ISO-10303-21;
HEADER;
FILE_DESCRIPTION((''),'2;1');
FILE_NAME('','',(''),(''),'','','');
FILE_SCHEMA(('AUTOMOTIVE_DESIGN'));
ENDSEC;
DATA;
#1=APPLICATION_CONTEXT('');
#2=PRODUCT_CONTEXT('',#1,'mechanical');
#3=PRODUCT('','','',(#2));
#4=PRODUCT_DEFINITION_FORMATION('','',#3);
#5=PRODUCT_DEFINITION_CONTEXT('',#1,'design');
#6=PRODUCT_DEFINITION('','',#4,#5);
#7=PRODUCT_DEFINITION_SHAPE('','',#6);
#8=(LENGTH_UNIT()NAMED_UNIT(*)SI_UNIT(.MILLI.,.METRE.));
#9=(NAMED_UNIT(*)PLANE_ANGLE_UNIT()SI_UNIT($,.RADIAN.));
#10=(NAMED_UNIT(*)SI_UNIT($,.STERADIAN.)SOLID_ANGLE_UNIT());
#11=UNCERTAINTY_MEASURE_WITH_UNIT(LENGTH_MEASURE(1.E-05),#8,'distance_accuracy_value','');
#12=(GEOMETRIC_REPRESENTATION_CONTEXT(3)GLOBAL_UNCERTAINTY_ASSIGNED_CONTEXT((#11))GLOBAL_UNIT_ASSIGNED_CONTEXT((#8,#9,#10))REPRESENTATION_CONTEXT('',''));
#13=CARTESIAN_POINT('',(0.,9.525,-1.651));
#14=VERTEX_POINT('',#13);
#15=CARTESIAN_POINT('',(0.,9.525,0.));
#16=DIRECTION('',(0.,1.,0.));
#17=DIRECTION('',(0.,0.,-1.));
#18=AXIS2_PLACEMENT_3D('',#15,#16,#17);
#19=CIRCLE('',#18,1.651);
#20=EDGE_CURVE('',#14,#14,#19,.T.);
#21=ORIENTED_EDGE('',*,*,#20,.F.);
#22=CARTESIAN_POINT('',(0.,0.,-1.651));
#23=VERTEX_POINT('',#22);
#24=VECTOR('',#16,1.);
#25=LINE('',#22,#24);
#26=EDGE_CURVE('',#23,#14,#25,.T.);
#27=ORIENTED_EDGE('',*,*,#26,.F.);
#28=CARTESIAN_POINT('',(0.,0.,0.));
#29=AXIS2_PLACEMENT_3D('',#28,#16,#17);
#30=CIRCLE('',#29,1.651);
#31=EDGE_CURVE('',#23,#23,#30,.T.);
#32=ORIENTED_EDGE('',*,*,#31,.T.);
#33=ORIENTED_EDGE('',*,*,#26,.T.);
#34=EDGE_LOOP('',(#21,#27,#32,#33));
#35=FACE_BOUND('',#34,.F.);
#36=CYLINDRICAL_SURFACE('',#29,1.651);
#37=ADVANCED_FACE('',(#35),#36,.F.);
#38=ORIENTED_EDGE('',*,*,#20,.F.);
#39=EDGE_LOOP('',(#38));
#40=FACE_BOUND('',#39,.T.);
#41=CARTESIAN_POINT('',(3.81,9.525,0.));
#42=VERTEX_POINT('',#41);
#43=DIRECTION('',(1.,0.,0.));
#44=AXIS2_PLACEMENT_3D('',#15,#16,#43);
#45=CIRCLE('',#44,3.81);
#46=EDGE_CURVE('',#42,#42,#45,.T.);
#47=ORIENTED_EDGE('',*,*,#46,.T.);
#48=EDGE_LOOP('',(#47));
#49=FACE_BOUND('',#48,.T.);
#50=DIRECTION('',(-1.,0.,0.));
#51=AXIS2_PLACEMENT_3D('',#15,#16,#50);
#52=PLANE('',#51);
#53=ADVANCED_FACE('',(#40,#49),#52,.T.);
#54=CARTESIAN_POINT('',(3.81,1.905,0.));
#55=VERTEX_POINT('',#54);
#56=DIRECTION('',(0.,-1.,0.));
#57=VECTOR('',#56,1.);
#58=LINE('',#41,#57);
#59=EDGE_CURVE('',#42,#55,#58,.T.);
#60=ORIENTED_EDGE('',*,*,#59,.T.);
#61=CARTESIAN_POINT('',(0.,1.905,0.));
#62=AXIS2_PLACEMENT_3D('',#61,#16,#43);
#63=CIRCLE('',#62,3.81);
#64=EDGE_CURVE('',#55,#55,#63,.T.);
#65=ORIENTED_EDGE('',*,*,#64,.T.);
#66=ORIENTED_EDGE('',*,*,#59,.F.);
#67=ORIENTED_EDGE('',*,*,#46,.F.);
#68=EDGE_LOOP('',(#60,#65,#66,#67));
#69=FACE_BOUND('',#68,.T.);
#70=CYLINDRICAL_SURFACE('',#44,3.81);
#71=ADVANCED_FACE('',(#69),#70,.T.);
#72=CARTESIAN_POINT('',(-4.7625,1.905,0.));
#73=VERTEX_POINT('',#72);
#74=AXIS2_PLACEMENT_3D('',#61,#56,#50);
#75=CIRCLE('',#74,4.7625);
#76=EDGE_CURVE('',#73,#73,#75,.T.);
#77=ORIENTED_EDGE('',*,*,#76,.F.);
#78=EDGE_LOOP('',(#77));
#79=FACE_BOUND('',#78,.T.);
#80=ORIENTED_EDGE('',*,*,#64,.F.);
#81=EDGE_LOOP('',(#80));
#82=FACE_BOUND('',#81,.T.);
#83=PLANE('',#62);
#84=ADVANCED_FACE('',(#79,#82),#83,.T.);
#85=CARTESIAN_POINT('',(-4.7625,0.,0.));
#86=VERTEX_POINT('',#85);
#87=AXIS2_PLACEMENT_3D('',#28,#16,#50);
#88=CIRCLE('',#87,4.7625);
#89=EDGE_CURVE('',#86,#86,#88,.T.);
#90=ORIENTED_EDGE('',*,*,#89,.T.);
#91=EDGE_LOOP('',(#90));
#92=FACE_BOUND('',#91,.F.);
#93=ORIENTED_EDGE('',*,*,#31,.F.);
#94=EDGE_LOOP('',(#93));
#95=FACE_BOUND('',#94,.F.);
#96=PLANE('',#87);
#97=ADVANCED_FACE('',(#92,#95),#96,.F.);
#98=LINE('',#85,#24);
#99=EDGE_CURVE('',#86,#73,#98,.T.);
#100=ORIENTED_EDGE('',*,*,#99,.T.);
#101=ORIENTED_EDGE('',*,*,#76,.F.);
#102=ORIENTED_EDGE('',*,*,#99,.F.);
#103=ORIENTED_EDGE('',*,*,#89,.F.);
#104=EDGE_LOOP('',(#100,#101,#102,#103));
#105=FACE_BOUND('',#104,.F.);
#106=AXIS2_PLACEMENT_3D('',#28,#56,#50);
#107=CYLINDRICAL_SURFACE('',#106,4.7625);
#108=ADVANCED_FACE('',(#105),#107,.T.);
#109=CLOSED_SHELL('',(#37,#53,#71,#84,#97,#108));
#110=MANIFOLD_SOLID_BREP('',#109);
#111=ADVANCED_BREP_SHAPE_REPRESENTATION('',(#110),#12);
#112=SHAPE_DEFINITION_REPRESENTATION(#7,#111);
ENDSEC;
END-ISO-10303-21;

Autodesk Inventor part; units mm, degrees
ref_plane "YZ Plane" through (0, 0, 0) normal (1, 0, 0) x (0, 1, 0)
ref_plane "XZ Plane" through (0, 0, 0) normal (0, 1, 0) x (-1, 0, 0)
ref_plane "XY Plane" through (0, 0, 0) normal (0, 0, 1) x (1, 0, 0)
sketch "Sketch1" plane through (0, 0, 0) normal (0, 1, 0) x (-1, 0, 0)
  circle A0 centre (0, 0) radius 4.7625
  dimension "d0" = 9.525
extrude "Extrusion1" add sketch "Sketch1" along normal blind 9.525
sketch "Sketch2" plane through (0, 9.525, 0) normal (0, 1, 0) x (1, 0, 0)
  circle A0 centre (0, 0) radius 6.35
  circle A1 centre (0, 0) radius 3.81
  dimension "d3" = 12.7
  dimension "d4" = 7.62
extrude "Extrusion2" cut sketch "Sketch2" against normal blind 7.62
sketch "Sketch3" plane through (0, 0, 0) normal (0, -1, 0) x (1, 0, 0)
  circle A0 centre (0, 0) radius 1.5777
hole "Hole1" at (0, 0, 0) direction (0, 1, 0) diameter 3.302 end through all thread size "8-32 UNC" class "2B" standard "ANSI Unified Screw Threads"
properties part number "feet type 2 part 1" material "Brass, Soft Yellow"
